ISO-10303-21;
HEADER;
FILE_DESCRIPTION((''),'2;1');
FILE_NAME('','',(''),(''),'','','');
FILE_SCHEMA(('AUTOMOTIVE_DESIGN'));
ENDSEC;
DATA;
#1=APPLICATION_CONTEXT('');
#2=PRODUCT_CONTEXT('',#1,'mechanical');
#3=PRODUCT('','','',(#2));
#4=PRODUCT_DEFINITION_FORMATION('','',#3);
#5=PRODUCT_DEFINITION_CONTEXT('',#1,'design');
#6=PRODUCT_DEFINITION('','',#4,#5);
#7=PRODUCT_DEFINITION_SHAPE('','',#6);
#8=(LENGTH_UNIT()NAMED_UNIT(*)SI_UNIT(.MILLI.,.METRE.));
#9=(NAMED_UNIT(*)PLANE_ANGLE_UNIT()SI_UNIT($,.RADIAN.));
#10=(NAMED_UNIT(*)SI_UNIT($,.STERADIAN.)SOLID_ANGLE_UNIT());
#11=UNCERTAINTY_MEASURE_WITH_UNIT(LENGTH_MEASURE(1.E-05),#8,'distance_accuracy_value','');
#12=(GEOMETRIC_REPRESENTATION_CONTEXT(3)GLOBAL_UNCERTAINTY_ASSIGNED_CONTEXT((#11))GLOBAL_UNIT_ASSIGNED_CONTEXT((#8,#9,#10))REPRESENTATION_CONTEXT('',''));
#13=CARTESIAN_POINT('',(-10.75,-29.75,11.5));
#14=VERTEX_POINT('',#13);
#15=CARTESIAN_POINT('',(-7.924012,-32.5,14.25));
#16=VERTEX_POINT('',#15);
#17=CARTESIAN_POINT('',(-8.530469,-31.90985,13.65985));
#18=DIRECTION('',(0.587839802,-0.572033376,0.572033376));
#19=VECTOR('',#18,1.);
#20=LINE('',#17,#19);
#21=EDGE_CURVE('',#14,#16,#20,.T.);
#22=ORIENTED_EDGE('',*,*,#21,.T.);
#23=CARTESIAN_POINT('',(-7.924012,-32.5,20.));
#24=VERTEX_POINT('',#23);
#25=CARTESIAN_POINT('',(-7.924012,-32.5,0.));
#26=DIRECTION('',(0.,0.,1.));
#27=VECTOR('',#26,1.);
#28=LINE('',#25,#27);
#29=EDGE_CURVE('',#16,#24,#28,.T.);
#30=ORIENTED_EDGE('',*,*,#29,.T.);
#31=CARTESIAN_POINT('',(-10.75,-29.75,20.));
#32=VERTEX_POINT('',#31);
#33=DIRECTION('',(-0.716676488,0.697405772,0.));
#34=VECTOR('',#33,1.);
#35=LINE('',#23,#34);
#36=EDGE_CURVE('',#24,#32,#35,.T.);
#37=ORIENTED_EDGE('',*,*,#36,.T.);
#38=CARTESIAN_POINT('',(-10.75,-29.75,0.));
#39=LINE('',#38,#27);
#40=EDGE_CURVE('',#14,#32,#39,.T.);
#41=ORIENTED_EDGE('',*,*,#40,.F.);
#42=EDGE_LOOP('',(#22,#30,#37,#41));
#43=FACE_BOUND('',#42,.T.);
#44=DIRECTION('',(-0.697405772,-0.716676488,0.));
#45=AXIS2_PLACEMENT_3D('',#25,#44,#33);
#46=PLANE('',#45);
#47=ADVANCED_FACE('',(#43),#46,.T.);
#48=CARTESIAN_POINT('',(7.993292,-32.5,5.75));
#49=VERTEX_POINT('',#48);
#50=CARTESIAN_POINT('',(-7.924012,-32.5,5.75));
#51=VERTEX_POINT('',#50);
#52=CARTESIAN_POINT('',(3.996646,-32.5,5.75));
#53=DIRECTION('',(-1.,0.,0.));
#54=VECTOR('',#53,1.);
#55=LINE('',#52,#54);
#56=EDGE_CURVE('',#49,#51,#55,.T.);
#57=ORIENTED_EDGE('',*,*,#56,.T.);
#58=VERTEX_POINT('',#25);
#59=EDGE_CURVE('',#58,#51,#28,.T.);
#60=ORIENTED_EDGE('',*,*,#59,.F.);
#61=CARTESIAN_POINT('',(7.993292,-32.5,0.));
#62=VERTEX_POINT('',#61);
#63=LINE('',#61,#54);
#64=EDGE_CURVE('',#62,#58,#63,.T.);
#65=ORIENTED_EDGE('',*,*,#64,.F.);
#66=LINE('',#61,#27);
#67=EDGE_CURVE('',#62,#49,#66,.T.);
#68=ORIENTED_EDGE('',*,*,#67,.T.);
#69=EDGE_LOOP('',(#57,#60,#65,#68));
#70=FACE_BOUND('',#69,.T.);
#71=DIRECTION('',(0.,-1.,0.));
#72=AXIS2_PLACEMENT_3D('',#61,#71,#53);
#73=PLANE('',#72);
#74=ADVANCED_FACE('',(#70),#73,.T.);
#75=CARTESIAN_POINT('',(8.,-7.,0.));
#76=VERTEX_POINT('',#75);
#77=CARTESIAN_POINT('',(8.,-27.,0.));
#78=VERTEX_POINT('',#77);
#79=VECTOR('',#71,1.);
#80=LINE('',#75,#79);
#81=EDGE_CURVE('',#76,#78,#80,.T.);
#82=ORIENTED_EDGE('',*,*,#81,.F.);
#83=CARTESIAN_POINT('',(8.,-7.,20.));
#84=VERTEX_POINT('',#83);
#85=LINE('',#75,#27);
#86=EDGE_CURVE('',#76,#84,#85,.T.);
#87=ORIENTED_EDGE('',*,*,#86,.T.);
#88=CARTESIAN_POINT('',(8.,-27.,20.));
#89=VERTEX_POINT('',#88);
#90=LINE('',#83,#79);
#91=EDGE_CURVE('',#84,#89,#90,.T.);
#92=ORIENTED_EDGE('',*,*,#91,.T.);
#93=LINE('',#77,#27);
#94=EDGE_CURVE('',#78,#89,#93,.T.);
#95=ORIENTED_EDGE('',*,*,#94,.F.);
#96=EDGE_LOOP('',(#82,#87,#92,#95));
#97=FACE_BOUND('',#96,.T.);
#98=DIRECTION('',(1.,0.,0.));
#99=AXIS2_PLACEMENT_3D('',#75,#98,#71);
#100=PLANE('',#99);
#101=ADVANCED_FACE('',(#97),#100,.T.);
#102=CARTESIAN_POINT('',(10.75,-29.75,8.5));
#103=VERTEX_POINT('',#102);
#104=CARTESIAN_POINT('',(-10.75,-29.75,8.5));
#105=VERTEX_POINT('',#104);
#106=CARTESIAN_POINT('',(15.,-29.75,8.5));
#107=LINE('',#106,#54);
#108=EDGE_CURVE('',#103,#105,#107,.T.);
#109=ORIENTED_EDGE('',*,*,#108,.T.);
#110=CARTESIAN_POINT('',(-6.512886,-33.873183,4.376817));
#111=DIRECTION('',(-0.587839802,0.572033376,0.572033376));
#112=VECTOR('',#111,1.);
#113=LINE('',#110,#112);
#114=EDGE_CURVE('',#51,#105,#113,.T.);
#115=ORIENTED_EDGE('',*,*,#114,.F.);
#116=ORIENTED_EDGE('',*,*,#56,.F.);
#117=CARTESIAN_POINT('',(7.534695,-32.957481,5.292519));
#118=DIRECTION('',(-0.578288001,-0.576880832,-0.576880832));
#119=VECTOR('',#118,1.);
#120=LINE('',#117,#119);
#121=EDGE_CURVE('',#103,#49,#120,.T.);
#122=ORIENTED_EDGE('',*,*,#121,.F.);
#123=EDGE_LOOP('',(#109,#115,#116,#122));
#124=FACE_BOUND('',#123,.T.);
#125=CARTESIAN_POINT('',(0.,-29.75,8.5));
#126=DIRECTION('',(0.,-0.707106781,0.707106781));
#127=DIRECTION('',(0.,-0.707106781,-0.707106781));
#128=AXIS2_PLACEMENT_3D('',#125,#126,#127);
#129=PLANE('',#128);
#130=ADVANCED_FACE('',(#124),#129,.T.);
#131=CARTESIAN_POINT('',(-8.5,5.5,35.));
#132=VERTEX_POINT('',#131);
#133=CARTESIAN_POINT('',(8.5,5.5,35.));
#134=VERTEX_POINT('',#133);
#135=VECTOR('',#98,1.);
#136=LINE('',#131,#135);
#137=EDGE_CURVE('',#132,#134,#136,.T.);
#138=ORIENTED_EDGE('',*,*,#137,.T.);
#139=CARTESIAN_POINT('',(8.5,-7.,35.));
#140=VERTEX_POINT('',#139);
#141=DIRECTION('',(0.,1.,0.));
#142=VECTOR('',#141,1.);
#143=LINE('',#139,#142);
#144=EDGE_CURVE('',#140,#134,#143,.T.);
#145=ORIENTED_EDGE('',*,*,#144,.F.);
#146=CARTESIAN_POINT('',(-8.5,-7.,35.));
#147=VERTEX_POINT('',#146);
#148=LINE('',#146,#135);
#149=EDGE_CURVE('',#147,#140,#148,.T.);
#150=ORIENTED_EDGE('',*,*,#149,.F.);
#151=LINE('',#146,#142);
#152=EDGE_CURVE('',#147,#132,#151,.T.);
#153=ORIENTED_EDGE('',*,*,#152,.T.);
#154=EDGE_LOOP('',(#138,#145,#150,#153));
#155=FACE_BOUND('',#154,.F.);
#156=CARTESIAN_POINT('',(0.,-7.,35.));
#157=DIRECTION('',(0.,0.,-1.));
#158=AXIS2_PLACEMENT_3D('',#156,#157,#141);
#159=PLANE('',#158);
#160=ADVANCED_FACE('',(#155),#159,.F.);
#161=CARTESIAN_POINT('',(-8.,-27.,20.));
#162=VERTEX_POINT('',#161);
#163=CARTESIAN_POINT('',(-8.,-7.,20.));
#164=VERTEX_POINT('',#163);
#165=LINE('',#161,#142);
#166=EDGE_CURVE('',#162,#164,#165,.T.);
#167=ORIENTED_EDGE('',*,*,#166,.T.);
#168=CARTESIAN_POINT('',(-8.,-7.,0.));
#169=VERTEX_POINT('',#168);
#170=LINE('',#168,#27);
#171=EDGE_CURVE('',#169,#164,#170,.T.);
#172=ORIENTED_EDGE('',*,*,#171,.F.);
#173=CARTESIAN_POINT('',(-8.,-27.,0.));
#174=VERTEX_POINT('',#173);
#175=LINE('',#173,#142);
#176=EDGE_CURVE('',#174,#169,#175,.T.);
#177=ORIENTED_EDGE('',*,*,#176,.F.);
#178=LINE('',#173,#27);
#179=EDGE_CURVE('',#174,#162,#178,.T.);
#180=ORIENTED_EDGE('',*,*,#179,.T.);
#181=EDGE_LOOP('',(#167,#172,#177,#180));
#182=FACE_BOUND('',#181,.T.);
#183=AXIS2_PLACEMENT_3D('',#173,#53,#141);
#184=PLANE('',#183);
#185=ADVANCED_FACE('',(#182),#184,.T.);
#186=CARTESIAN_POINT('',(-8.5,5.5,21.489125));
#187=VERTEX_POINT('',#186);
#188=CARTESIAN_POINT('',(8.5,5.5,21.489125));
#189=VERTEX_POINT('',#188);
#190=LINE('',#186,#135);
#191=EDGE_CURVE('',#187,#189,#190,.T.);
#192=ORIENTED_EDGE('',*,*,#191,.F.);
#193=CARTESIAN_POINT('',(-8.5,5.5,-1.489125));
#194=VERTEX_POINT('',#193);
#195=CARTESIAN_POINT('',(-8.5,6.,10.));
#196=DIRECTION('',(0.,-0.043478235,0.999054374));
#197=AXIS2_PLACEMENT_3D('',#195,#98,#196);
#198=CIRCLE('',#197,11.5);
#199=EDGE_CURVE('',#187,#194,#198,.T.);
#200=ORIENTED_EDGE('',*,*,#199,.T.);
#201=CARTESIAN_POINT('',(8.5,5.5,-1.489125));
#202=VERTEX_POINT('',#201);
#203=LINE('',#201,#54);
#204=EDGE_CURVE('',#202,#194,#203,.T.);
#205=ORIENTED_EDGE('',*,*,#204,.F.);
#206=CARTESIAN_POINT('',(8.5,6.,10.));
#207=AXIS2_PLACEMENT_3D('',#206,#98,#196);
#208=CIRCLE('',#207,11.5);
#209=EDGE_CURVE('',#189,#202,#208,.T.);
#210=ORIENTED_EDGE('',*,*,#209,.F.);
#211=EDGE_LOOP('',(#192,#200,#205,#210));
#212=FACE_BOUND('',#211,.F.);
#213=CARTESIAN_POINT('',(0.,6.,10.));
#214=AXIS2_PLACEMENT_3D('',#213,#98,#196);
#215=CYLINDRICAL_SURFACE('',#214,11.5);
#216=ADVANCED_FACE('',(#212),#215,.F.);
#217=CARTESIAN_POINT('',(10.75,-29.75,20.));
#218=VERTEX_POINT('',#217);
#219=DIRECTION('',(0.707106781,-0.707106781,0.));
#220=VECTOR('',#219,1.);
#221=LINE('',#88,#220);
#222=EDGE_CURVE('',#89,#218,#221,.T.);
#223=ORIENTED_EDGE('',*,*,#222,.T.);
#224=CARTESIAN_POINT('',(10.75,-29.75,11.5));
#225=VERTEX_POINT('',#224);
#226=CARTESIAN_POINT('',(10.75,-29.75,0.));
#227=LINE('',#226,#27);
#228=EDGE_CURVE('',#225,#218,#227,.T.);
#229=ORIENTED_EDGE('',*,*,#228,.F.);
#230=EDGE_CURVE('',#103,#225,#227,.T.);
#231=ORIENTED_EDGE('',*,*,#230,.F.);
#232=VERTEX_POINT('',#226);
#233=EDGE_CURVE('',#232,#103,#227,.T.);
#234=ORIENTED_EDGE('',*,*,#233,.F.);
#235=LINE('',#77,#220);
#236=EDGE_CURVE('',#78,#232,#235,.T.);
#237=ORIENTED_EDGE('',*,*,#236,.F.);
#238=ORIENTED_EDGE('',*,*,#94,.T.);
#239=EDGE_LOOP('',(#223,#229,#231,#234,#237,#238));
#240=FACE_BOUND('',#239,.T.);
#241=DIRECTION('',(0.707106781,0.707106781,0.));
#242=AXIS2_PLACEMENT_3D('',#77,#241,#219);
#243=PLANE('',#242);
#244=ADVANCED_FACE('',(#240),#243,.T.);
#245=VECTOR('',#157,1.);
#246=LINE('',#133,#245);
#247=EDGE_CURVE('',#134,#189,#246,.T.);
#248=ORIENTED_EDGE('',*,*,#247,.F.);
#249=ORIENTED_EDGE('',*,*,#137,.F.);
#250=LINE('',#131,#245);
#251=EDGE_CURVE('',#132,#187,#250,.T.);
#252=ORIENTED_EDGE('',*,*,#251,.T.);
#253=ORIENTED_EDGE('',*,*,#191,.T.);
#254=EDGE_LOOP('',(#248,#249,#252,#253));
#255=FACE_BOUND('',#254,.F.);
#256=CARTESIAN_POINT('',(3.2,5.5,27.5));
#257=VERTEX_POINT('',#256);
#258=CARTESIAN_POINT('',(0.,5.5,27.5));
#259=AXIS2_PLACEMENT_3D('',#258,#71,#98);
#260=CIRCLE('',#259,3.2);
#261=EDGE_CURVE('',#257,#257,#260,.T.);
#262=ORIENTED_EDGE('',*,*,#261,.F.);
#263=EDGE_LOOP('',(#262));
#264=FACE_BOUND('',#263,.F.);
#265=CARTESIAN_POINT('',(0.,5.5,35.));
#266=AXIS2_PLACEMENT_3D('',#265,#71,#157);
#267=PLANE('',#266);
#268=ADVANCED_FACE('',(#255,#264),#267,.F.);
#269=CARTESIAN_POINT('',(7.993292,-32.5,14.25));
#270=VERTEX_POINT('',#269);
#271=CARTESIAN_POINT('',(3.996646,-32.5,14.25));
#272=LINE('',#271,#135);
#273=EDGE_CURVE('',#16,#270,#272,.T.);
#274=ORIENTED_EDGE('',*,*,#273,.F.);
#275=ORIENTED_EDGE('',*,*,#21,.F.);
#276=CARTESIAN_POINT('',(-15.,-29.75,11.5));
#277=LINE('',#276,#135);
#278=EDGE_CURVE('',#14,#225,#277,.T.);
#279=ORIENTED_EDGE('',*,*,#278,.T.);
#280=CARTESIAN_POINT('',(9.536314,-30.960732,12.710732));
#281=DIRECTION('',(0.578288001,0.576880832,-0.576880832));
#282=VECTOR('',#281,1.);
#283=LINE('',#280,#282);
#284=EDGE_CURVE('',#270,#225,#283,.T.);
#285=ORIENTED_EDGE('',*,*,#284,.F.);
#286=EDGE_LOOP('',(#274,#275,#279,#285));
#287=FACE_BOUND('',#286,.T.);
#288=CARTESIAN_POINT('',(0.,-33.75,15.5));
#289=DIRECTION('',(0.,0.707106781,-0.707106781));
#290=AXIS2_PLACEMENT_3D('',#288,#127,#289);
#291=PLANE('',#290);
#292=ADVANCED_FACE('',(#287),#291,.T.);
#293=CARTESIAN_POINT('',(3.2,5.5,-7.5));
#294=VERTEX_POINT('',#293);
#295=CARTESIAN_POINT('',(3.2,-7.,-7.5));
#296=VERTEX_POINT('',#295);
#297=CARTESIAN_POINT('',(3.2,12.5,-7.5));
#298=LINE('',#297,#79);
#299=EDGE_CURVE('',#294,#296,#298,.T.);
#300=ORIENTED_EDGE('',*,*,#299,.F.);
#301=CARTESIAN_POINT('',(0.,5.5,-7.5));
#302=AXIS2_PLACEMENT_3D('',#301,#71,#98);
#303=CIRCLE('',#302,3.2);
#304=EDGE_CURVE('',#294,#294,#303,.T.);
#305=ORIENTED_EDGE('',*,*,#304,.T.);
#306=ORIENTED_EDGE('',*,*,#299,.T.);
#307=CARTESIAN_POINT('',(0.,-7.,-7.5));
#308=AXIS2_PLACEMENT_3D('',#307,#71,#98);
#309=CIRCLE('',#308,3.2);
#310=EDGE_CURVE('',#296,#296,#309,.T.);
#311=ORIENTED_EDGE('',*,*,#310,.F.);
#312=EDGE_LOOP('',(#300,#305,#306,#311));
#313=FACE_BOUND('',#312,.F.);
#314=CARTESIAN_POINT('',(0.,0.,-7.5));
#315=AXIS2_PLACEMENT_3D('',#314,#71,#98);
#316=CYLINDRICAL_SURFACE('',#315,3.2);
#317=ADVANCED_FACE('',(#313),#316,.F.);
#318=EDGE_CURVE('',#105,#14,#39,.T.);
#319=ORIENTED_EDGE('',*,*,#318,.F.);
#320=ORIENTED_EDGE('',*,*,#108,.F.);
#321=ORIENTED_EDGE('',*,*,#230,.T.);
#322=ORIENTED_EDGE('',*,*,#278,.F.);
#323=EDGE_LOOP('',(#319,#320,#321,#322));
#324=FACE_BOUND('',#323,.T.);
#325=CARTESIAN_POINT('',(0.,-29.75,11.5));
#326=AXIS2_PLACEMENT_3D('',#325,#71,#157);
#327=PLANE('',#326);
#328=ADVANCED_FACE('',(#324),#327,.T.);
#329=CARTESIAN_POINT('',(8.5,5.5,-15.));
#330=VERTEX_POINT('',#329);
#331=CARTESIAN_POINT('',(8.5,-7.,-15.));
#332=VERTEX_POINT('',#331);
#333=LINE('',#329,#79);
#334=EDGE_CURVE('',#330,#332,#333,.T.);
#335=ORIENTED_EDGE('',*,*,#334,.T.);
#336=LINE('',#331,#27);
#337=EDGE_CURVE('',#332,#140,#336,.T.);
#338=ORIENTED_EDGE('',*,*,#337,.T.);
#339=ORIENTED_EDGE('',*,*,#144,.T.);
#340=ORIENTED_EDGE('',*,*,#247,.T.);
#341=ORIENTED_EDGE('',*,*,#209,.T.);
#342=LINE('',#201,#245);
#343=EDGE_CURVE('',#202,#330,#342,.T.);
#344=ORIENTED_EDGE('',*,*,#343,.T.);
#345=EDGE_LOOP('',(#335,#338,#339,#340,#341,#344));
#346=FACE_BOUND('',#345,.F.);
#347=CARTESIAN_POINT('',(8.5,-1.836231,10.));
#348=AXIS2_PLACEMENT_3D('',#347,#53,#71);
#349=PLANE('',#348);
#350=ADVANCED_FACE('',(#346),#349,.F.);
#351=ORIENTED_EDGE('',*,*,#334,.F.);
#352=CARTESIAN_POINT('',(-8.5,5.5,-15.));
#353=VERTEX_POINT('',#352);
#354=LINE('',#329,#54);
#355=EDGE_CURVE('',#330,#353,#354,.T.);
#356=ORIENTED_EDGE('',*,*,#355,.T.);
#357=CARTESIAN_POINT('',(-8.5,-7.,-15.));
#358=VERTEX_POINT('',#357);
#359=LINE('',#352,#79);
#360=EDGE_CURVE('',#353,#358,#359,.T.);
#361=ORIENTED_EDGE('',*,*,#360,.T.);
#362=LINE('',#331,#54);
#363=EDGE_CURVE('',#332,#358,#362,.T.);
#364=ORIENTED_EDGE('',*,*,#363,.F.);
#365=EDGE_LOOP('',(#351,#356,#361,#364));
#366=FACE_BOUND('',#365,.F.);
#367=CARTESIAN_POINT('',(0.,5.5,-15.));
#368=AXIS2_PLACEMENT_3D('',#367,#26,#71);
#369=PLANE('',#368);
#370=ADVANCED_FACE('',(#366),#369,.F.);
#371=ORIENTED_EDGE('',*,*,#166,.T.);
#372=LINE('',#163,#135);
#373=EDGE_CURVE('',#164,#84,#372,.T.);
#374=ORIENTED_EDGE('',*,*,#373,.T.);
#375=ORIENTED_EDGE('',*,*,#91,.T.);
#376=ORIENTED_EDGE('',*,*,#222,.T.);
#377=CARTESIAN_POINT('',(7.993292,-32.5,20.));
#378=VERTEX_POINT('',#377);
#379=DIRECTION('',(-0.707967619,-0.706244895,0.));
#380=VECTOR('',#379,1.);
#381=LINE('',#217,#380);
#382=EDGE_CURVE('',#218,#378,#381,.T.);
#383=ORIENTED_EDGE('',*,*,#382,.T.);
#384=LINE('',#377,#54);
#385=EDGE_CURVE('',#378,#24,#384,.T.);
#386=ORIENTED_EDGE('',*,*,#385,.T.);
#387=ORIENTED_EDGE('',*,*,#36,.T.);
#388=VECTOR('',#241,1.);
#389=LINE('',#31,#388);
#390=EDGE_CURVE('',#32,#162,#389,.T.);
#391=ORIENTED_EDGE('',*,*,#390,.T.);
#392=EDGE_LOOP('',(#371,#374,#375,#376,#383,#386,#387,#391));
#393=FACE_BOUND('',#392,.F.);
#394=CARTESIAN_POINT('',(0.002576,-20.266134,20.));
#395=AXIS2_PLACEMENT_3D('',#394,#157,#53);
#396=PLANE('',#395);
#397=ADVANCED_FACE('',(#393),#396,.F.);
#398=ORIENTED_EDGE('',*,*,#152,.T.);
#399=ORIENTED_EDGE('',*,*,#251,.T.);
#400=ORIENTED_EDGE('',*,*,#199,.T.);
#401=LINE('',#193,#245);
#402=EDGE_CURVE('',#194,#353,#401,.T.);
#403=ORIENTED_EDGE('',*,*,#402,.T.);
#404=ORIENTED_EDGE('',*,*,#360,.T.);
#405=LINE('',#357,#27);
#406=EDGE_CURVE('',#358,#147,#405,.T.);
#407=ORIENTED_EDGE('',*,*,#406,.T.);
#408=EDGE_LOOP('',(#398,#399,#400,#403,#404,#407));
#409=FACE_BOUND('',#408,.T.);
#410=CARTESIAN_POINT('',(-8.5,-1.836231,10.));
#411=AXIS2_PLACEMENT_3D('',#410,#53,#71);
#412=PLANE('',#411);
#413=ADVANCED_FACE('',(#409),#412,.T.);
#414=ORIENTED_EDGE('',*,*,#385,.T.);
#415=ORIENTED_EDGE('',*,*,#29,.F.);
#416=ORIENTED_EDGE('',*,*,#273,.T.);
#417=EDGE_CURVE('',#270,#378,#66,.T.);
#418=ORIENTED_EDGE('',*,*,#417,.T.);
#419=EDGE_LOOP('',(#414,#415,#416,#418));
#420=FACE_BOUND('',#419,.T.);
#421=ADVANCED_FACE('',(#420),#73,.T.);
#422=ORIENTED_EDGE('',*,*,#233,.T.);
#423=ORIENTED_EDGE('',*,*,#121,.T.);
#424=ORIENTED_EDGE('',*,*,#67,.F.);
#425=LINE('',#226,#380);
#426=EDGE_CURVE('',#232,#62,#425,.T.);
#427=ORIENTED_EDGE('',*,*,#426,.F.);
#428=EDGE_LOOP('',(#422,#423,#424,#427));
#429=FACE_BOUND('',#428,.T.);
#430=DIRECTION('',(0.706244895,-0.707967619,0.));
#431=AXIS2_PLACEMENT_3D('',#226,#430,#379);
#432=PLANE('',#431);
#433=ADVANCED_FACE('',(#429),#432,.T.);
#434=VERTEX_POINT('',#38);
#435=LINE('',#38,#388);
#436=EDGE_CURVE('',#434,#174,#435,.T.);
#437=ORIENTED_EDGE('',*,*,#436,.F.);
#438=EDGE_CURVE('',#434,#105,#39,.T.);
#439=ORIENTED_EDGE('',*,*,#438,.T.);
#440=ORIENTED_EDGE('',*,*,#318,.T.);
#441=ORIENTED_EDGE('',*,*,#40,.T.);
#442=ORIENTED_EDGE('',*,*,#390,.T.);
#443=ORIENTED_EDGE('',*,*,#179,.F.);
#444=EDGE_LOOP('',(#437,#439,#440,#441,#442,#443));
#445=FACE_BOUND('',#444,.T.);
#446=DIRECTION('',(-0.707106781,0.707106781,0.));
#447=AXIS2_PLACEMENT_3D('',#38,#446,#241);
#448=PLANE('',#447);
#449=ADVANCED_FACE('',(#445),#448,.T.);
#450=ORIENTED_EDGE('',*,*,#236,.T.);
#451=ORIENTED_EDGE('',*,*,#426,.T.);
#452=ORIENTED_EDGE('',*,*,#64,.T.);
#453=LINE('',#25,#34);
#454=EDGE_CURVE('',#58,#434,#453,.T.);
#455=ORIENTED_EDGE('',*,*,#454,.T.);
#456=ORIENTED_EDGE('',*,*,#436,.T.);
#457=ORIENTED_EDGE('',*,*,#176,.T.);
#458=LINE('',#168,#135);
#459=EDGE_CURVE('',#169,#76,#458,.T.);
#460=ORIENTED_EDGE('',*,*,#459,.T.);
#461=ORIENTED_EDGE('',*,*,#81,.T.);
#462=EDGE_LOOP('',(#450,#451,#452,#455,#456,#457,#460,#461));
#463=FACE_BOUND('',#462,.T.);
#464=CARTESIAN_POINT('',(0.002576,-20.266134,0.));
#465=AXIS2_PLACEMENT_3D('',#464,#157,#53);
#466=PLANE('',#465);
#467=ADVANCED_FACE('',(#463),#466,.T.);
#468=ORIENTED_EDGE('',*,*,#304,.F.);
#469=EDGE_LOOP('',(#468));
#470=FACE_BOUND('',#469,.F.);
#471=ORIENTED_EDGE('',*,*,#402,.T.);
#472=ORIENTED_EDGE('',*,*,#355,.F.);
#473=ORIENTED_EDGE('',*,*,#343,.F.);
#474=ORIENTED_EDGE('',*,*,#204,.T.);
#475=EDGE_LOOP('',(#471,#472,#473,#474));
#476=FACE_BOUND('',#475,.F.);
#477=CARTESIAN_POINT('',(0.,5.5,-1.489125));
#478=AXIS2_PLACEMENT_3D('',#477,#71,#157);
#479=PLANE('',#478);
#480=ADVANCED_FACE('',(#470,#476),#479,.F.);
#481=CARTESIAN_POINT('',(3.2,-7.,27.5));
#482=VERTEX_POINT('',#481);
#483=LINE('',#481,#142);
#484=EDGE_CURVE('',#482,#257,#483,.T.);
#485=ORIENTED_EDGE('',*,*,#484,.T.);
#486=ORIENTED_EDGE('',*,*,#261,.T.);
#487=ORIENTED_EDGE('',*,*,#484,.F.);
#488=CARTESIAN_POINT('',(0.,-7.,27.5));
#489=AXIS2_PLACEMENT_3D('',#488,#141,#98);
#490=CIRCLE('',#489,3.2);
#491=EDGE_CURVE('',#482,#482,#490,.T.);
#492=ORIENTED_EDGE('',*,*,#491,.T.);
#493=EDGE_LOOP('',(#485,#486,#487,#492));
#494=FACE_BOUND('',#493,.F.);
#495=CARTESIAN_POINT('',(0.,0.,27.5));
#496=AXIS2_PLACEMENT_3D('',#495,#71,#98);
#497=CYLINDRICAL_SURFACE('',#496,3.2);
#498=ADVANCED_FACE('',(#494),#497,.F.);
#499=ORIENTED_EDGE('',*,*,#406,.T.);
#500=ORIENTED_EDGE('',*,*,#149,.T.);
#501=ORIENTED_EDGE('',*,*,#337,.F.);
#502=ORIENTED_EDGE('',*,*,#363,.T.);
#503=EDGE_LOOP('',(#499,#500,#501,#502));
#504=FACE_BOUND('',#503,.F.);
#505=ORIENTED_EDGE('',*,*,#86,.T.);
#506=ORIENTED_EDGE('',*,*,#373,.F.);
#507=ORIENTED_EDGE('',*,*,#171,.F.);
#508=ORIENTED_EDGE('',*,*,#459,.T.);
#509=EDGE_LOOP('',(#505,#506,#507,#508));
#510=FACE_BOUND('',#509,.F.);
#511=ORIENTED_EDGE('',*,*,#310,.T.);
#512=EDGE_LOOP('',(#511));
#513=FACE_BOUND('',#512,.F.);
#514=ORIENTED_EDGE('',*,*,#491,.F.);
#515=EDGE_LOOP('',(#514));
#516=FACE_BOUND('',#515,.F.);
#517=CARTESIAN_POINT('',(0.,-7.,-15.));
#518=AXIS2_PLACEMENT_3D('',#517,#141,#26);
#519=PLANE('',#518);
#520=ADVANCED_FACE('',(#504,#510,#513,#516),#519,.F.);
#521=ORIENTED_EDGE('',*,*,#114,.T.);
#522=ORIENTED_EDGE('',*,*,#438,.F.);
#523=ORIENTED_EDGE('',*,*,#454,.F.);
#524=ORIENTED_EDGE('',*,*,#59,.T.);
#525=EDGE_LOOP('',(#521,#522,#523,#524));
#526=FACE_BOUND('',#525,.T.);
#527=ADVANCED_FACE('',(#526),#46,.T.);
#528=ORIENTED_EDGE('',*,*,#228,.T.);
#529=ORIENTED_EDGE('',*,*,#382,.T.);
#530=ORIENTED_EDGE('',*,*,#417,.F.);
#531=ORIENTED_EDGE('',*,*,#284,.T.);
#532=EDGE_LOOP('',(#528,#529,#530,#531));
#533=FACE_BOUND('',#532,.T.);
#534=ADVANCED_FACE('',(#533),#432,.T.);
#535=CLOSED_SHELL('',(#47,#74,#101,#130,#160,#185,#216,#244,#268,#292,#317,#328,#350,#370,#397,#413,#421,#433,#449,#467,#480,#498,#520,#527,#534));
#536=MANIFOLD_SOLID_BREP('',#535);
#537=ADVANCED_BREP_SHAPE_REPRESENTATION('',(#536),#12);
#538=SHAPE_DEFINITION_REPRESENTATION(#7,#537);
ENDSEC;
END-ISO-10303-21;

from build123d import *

# Parameters (mm, degrees)
PAD_DEPTH       = 20
POCKET_DEPTH    = 15
PAD001_DEPTH    = 8.5
SKETCH005_R     = 3.2
POCKET001_DEPTH = 12.5


with BuildPart() as part:
    # Sketch002 → Pad (new body)
    with BuildSketch(Plane.XY):
        Polygon((8, -7), (8, -27), (10.75, -29.75), (7.993292, -32.5), (-7.924012, -32.5), (-10.75, -29.75), (-8, -27), (-8, -7), align=None)
    extrude(amount=PAD_DEPTH)

    # Sketch004 → Pocket (cut, symmetric)
    with BuildSketch(Plane.YZ):
        Polygon((-29.75, 11.5), (-29.75, 8.5), (-33.75, 4.5), (-33.75, 15.5), align=None)
    extrude(amount=POCKET_DEPTH, both=True, mode=Mode.SUBTRACT)

    # Sketch → Pad001 (join, symmetric)
    with BuildSketch(Plane.YZ):
        with BuildLine():
            ThreePointArc((5.5, 21.489125), (-5.5, 10), (5.5, -1.489125))
            Line((5.5, -1.489125), (5.5, -15))
            Line((5.5, -15), (-7, -15))
            Line((-7, -15), (-7, 35))
            Line((-7, 35), (5.5, 35))
            Line((5.5, 35), (5.5, 21.489125))
        make_face()
    extrude(amount=PAD001_DEPTH, both=True)

    # Sketch005 → Pocket001 (cut, symmetric)
    with BuildSketch(Plane.XZ):
        with Locations((0, 27.5)):
            Circle(SKETCH005_R)
        with Locations((0, -7.5)):
            Circle(SKETCH005_R)
    extrude(amount=POCKET001_DEPTH, both=True, mode=Mode.SUBTRACT)


solid = part.part
